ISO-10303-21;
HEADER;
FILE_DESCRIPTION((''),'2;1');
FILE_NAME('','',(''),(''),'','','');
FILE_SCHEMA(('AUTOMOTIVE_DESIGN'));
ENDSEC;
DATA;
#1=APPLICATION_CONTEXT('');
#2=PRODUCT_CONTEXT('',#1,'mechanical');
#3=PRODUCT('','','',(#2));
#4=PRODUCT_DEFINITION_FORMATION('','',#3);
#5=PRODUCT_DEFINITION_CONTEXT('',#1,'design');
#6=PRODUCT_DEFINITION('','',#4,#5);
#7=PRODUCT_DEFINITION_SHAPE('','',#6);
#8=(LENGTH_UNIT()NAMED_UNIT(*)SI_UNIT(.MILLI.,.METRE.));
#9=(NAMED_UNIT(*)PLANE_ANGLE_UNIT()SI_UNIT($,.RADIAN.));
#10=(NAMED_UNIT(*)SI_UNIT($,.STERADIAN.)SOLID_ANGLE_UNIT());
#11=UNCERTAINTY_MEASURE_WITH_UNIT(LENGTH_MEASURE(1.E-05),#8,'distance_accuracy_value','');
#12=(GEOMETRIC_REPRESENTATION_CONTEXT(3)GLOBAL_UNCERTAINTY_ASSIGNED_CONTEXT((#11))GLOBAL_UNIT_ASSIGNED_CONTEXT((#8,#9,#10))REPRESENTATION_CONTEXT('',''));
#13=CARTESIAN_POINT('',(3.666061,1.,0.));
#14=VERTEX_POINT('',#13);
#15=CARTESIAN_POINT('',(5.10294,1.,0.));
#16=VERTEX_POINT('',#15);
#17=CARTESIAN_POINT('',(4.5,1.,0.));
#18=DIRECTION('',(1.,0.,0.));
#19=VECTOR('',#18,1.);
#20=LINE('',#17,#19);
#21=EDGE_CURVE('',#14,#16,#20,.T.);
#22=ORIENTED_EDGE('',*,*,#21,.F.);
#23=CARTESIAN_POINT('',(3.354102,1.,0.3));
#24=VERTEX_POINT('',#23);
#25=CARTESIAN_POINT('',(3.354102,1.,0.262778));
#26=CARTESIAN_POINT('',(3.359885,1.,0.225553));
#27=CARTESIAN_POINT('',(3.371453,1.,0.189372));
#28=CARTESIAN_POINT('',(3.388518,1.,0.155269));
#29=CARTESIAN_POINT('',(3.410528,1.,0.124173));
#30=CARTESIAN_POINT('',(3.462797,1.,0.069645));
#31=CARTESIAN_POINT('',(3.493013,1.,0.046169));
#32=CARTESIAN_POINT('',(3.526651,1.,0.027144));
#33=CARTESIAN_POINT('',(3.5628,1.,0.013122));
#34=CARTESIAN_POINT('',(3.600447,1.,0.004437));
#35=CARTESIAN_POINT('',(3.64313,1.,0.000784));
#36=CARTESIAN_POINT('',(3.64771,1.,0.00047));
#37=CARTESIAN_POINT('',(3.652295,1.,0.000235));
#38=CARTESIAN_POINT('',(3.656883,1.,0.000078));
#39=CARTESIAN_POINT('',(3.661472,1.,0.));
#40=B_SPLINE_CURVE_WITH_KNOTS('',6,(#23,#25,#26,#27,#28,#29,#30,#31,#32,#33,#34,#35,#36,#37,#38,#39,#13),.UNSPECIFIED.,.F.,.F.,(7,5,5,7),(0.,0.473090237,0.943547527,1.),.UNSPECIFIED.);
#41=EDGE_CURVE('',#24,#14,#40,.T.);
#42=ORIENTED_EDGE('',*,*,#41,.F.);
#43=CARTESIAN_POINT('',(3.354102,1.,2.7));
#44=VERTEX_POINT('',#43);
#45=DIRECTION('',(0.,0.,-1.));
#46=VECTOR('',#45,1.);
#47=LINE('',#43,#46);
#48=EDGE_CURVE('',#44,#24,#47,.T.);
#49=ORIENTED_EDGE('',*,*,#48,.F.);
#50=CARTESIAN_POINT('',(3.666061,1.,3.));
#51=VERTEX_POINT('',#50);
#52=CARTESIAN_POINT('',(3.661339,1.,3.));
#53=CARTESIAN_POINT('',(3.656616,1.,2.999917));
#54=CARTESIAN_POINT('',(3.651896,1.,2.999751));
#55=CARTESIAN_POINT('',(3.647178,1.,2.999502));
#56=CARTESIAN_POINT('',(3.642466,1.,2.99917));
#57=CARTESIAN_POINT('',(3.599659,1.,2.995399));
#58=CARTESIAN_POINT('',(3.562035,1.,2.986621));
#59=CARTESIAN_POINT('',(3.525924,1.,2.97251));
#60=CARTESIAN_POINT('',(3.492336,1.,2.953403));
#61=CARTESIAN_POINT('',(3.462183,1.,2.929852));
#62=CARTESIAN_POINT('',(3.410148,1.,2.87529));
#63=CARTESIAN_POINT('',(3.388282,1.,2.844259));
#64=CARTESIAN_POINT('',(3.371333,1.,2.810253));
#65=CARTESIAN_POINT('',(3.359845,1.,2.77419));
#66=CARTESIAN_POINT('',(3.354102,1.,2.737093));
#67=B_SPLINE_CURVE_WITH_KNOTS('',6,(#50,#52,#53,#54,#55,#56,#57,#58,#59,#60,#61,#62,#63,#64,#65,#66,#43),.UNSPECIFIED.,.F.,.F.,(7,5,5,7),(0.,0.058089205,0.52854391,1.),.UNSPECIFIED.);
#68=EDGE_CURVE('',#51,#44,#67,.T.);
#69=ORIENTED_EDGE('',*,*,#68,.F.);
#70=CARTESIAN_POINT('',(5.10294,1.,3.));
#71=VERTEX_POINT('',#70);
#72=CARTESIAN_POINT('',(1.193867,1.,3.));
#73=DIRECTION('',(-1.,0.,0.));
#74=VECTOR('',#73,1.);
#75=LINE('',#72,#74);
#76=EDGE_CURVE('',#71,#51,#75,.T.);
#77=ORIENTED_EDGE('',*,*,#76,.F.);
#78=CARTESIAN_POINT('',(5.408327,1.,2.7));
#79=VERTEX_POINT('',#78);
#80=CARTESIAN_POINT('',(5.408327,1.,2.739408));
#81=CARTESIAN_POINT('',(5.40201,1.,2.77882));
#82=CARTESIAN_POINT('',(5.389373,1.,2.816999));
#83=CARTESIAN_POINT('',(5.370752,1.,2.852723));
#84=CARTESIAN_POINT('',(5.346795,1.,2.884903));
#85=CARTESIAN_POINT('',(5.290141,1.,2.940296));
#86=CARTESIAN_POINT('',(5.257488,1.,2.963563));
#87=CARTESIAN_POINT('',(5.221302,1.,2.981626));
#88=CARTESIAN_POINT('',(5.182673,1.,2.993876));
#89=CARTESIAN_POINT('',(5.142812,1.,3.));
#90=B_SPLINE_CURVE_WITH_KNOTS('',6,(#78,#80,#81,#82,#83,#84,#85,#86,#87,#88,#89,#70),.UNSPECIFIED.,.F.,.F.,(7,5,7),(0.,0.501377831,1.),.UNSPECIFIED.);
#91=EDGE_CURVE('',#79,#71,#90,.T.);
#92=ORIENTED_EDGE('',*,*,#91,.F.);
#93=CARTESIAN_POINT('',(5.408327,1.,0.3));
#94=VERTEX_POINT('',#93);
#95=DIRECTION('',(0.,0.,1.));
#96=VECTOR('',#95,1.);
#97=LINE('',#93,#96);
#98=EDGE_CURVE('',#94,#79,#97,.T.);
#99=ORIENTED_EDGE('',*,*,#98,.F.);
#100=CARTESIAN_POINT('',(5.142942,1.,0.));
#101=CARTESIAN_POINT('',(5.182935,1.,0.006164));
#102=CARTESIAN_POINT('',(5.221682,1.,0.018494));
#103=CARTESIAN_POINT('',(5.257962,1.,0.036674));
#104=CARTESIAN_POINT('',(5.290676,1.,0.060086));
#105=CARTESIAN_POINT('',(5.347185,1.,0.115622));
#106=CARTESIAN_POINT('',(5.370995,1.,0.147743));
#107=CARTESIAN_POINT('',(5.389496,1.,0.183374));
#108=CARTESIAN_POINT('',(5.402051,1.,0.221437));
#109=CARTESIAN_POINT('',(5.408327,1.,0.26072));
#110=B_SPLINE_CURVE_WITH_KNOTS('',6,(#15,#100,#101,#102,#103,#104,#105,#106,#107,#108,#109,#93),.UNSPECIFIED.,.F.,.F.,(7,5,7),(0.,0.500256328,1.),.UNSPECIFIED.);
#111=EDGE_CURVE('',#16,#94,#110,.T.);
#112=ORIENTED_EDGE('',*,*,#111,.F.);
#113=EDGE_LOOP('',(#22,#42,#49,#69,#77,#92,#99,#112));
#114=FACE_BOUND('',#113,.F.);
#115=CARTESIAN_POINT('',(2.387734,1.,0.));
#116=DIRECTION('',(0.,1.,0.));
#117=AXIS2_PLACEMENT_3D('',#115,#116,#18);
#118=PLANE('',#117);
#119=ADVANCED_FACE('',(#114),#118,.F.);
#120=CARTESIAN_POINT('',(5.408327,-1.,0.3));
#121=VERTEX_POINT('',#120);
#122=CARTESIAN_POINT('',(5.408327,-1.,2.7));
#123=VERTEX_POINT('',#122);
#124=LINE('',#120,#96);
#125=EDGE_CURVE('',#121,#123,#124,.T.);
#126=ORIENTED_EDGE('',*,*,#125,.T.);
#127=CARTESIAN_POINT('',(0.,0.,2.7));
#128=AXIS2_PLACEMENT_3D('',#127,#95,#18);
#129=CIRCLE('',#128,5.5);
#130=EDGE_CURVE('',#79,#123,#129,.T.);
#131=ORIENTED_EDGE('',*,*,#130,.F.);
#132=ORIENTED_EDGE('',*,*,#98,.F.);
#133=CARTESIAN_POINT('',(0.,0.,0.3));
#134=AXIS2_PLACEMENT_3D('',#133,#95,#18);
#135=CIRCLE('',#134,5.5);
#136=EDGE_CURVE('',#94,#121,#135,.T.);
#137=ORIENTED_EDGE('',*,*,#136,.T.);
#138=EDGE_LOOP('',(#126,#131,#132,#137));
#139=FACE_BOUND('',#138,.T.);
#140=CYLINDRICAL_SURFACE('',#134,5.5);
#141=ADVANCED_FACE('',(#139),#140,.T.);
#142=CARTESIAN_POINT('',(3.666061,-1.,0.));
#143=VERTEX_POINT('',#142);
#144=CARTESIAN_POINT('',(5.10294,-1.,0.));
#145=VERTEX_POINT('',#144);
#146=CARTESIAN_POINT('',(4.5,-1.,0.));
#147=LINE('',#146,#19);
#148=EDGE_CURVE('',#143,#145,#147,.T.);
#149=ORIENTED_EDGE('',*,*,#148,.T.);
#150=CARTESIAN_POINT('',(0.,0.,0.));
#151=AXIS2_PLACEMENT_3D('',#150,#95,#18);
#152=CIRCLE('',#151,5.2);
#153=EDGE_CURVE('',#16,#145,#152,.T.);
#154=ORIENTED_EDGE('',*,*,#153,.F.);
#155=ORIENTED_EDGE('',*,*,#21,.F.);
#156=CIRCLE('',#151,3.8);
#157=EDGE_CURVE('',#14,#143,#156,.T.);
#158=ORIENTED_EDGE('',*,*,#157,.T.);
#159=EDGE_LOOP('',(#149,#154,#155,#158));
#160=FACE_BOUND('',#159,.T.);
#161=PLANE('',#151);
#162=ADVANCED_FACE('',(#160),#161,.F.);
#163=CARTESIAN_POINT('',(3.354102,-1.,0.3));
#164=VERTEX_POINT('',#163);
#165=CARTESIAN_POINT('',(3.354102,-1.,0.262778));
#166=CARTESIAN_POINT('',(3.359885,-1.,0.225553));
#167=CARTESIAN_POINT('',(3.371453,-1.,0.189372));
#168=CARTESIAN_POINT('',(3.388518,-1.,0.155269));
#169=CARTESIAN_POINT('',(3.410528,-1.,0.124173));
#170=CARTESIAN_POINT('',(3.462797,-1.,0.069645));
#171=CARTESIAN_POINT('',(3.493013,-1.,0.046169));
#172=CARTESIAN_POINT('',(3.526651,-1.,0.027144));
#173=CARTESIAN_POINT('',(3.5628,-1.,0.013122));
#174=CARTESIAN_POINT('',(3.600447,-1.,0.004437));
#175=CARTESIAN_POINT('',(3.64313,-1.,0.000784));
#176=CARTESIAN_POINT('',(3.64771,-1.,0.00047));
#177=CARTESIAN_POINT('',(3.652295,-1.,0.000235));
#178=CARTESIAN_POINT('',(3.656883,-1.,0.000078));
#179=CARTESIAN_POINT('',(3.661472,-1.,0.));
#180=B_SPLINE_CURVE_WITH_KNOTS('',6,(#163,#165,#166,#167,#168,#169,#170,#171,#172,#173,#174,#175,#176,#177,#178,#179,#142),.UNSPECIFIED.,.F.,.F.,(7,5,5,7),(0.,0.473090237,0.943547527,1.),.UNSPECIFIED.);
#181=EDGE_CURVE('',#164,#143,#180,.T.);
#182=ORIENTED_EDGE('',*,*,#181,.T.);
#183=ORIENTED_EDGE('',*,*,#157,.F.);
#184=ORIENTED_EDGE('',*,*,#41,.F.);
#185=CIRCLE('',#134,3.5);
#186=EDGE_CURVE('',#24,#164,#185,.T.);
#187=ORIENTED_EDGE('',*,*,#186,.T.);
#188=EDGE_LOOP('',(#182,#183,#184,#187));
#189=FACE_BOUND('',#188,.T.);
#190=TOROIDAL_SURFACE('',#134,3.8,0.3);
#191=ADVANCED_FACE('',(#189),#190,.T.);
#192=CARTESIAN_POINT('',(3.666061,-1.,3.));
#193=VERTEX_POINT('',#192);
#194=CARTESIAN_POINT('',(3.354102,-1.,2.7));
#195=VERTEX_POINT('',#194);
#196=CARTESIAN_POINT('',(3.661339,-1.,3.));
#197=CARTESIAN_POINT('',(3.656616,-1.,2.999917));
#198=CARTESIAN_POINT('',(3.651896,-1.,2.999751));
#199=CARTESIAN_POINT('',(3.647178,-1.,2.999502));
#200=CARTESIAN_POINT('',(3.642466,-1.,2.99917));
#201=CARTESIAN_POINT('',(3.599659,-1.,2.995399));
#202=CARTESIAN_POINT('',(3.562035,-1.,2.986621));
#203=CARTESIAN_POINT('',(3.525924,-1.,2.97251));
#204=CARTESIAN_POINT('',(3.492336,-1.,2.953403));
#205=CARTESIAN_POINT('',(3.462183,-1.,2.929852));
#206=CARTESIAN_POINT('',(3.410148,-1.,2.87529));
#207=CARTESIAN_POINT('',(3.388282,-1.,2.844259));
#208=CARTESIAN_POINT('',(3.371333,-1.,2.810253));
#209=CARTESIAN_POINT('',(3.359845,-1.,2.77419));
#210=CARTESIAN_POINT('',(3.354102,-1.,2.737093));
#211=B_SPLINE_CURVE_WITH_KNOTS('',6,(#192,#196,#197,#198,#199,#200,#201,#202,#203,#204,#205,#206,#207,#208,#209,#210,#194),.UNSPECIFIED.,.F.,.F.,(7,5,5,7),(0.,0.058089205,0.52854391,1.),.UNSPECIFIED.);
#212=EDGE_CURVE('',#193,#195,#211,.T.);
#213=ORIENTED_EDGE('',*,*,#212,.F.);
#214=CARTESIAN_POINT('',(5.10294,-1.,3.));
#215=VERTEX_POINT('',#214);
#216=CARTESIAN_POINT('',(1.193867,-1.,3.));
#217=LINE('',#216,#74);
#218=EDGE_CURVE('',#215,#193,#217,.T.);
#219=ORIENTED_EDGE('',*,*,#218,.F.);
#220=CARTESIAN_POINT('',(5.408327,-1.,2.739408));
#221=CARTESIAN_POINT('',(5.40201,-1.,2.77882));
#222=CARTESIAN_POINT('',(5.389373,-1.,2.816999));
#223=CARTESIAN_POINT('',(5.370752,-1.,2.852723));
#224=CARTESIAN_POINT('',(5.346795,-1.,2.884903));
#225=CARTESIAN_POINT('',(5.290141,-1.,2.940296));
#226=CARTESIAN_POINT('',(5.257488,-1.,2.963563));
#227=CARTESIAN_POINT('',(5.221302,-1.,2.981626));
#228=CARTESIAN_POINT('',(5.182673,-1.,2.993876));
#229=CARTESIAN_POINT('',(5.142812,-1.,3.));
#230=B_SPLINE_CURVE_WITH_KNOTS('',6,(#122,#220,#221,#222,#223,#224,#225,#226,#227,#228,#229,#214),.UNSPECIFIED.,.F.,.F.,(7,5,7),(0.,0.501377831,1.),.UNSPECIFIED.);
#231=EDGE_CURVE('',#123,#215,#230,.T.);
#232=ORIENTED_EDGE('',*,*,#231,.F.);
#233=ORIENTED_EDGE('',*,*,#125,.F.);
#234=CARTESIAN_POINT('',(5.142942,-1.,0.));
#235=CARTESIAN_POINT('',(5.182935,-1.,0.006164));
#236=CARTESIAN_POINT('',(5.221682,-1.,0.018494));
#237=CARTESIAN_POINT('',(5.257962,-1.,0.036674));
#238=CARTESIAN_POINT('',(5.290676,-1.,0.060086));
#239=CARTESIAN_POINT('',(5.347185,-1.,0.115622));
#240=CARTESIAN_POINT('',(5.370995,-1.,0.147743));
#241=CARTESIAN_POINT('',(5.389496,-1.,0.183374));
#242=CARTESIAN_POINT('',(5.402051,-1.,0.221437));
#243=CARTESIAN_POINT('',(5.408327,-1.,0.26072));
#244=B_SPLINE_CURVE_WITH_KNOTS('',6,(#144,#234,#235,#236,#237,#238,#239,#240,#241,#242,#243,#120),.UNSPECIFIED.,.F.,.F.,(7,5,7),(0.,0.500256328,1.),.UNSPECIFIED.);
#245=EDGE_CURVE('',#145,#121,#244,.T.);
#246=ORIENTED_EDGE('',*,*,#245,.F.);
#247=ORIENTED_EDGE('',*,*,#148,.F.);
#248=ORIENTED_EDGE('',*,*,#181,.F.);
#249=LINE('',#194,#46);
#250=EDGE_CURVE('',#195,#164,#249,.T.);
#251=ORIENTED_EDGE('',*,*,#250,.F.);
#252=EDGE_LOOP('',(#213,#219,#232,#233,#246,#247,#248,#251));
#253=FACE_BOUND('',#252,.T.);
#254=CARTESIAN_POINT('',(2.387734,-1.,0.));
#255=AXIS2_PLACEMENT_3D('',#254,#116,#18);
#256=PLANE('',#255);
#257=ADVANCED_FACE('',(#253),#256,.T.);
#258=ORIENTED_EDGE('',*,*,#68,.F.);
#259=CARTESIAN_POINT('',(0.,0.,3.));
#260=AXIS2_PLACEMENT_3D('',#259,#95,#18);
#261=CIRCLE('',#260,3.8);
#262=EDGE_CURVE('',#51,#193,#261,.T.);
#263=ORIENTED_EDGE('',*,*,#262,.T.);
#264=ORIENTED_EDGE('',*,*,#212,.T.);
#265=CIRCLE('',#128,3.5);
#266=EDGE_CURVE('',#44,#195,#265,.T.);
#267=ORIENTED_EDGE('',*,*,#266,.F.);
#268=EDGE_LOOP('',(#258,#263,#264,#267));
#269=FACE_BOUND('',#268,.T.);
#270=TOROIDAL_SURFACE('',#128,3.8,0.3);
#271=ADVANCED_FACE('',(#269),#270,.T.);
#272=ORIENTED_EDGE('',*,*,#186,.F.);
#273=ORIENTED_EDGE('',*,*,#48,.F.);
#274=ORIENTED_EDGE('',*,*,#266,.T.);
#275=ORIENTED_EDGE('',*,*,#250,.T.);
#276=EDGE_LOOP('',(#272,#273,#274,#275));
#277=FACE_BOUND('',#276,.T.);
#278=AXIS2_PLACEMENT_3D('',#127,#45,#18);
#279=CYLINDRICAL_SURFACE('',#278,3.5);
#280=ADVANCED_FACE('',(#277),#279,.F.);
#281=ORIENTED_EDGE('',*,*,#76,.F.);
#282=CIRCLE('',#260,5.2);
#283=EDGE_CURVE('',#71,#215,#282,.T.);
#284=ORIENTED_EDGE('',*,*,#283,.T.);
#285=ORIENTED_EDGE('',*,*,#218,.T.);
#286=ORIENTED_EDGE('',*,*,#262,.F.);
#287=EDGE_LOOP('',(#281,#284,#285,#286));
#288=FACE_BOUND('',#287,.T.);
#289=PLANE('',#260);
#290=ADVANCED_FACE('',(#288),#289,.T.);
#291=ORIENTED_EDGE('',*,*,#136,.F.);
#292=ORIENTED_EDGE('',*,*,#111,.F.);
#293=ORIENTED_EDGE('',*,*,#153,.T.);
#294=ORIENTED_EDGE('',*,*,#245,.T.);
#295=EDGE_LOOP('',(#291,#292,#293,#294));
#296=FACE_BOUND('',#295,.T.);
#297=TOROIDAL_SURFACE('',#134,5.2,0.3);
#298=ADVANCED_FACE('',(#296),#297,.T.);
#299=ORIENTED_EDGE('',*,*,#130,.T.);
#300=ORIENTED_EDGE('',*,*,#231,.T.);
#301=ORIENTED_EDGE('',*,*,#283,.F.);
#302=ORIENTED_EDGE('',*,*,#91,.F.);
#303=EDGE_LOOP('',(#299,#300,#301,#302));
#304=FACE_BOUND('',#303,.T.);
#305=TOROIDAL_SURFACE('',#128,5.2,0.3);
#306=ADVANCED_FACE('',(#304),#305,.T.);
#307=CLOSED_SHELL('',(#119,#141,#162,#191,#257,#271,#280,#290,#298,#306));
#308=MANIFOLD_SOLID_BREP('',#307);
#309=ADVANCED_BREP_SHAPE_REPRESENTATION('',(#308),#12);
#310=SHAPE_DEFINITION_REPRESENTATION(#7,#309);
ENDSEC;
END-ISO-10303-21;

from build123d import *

# Parameters (mm, degrees)
F2_W     = 4.224532
F2_H     = 2
F3_DEPTH = 4


with BuildPart() as f1:
    # F0 (on Front) → F1 (revolve)
    with BuildSketch(Plane.XZ):
        with BuildLine():
            ThreePointArc((3.5, 0.3), (3.587868, 0.087868), (3.8, 0))
            Line((3.8, 0), (5.2, 0))
            ThreePointArc((5.2, 0), (5.412132, 0.087868), (5.5, 0.3))
            Line((5.5, 0.3), (5.5, 2.7))
            ThreePointArc((5.5, 2.7), (5.412132, 2.912132), (5.2, 3))
            Line((5.2, 3), (3.8, 3))
            ThreePointArc((3.8, 3), (3.587868, 2.912132), (3.5, 2.7))
            Line((3.5, 2.7), (3.5, 0.3))
        make_face()
    revolve(axis=Axis((0, 0, 3.851013), (0, 0, 1)))

    # F2 (on Top) → F3 (cut)
    with BuildSketch(Plane.XY):
        with Locations((4.5, 0)):
            Rectangle(F2_W, F2_H)
    extrude(amount=F3_DEPTH, mode=Mode.SUBTRACT)


solid = f1.part
